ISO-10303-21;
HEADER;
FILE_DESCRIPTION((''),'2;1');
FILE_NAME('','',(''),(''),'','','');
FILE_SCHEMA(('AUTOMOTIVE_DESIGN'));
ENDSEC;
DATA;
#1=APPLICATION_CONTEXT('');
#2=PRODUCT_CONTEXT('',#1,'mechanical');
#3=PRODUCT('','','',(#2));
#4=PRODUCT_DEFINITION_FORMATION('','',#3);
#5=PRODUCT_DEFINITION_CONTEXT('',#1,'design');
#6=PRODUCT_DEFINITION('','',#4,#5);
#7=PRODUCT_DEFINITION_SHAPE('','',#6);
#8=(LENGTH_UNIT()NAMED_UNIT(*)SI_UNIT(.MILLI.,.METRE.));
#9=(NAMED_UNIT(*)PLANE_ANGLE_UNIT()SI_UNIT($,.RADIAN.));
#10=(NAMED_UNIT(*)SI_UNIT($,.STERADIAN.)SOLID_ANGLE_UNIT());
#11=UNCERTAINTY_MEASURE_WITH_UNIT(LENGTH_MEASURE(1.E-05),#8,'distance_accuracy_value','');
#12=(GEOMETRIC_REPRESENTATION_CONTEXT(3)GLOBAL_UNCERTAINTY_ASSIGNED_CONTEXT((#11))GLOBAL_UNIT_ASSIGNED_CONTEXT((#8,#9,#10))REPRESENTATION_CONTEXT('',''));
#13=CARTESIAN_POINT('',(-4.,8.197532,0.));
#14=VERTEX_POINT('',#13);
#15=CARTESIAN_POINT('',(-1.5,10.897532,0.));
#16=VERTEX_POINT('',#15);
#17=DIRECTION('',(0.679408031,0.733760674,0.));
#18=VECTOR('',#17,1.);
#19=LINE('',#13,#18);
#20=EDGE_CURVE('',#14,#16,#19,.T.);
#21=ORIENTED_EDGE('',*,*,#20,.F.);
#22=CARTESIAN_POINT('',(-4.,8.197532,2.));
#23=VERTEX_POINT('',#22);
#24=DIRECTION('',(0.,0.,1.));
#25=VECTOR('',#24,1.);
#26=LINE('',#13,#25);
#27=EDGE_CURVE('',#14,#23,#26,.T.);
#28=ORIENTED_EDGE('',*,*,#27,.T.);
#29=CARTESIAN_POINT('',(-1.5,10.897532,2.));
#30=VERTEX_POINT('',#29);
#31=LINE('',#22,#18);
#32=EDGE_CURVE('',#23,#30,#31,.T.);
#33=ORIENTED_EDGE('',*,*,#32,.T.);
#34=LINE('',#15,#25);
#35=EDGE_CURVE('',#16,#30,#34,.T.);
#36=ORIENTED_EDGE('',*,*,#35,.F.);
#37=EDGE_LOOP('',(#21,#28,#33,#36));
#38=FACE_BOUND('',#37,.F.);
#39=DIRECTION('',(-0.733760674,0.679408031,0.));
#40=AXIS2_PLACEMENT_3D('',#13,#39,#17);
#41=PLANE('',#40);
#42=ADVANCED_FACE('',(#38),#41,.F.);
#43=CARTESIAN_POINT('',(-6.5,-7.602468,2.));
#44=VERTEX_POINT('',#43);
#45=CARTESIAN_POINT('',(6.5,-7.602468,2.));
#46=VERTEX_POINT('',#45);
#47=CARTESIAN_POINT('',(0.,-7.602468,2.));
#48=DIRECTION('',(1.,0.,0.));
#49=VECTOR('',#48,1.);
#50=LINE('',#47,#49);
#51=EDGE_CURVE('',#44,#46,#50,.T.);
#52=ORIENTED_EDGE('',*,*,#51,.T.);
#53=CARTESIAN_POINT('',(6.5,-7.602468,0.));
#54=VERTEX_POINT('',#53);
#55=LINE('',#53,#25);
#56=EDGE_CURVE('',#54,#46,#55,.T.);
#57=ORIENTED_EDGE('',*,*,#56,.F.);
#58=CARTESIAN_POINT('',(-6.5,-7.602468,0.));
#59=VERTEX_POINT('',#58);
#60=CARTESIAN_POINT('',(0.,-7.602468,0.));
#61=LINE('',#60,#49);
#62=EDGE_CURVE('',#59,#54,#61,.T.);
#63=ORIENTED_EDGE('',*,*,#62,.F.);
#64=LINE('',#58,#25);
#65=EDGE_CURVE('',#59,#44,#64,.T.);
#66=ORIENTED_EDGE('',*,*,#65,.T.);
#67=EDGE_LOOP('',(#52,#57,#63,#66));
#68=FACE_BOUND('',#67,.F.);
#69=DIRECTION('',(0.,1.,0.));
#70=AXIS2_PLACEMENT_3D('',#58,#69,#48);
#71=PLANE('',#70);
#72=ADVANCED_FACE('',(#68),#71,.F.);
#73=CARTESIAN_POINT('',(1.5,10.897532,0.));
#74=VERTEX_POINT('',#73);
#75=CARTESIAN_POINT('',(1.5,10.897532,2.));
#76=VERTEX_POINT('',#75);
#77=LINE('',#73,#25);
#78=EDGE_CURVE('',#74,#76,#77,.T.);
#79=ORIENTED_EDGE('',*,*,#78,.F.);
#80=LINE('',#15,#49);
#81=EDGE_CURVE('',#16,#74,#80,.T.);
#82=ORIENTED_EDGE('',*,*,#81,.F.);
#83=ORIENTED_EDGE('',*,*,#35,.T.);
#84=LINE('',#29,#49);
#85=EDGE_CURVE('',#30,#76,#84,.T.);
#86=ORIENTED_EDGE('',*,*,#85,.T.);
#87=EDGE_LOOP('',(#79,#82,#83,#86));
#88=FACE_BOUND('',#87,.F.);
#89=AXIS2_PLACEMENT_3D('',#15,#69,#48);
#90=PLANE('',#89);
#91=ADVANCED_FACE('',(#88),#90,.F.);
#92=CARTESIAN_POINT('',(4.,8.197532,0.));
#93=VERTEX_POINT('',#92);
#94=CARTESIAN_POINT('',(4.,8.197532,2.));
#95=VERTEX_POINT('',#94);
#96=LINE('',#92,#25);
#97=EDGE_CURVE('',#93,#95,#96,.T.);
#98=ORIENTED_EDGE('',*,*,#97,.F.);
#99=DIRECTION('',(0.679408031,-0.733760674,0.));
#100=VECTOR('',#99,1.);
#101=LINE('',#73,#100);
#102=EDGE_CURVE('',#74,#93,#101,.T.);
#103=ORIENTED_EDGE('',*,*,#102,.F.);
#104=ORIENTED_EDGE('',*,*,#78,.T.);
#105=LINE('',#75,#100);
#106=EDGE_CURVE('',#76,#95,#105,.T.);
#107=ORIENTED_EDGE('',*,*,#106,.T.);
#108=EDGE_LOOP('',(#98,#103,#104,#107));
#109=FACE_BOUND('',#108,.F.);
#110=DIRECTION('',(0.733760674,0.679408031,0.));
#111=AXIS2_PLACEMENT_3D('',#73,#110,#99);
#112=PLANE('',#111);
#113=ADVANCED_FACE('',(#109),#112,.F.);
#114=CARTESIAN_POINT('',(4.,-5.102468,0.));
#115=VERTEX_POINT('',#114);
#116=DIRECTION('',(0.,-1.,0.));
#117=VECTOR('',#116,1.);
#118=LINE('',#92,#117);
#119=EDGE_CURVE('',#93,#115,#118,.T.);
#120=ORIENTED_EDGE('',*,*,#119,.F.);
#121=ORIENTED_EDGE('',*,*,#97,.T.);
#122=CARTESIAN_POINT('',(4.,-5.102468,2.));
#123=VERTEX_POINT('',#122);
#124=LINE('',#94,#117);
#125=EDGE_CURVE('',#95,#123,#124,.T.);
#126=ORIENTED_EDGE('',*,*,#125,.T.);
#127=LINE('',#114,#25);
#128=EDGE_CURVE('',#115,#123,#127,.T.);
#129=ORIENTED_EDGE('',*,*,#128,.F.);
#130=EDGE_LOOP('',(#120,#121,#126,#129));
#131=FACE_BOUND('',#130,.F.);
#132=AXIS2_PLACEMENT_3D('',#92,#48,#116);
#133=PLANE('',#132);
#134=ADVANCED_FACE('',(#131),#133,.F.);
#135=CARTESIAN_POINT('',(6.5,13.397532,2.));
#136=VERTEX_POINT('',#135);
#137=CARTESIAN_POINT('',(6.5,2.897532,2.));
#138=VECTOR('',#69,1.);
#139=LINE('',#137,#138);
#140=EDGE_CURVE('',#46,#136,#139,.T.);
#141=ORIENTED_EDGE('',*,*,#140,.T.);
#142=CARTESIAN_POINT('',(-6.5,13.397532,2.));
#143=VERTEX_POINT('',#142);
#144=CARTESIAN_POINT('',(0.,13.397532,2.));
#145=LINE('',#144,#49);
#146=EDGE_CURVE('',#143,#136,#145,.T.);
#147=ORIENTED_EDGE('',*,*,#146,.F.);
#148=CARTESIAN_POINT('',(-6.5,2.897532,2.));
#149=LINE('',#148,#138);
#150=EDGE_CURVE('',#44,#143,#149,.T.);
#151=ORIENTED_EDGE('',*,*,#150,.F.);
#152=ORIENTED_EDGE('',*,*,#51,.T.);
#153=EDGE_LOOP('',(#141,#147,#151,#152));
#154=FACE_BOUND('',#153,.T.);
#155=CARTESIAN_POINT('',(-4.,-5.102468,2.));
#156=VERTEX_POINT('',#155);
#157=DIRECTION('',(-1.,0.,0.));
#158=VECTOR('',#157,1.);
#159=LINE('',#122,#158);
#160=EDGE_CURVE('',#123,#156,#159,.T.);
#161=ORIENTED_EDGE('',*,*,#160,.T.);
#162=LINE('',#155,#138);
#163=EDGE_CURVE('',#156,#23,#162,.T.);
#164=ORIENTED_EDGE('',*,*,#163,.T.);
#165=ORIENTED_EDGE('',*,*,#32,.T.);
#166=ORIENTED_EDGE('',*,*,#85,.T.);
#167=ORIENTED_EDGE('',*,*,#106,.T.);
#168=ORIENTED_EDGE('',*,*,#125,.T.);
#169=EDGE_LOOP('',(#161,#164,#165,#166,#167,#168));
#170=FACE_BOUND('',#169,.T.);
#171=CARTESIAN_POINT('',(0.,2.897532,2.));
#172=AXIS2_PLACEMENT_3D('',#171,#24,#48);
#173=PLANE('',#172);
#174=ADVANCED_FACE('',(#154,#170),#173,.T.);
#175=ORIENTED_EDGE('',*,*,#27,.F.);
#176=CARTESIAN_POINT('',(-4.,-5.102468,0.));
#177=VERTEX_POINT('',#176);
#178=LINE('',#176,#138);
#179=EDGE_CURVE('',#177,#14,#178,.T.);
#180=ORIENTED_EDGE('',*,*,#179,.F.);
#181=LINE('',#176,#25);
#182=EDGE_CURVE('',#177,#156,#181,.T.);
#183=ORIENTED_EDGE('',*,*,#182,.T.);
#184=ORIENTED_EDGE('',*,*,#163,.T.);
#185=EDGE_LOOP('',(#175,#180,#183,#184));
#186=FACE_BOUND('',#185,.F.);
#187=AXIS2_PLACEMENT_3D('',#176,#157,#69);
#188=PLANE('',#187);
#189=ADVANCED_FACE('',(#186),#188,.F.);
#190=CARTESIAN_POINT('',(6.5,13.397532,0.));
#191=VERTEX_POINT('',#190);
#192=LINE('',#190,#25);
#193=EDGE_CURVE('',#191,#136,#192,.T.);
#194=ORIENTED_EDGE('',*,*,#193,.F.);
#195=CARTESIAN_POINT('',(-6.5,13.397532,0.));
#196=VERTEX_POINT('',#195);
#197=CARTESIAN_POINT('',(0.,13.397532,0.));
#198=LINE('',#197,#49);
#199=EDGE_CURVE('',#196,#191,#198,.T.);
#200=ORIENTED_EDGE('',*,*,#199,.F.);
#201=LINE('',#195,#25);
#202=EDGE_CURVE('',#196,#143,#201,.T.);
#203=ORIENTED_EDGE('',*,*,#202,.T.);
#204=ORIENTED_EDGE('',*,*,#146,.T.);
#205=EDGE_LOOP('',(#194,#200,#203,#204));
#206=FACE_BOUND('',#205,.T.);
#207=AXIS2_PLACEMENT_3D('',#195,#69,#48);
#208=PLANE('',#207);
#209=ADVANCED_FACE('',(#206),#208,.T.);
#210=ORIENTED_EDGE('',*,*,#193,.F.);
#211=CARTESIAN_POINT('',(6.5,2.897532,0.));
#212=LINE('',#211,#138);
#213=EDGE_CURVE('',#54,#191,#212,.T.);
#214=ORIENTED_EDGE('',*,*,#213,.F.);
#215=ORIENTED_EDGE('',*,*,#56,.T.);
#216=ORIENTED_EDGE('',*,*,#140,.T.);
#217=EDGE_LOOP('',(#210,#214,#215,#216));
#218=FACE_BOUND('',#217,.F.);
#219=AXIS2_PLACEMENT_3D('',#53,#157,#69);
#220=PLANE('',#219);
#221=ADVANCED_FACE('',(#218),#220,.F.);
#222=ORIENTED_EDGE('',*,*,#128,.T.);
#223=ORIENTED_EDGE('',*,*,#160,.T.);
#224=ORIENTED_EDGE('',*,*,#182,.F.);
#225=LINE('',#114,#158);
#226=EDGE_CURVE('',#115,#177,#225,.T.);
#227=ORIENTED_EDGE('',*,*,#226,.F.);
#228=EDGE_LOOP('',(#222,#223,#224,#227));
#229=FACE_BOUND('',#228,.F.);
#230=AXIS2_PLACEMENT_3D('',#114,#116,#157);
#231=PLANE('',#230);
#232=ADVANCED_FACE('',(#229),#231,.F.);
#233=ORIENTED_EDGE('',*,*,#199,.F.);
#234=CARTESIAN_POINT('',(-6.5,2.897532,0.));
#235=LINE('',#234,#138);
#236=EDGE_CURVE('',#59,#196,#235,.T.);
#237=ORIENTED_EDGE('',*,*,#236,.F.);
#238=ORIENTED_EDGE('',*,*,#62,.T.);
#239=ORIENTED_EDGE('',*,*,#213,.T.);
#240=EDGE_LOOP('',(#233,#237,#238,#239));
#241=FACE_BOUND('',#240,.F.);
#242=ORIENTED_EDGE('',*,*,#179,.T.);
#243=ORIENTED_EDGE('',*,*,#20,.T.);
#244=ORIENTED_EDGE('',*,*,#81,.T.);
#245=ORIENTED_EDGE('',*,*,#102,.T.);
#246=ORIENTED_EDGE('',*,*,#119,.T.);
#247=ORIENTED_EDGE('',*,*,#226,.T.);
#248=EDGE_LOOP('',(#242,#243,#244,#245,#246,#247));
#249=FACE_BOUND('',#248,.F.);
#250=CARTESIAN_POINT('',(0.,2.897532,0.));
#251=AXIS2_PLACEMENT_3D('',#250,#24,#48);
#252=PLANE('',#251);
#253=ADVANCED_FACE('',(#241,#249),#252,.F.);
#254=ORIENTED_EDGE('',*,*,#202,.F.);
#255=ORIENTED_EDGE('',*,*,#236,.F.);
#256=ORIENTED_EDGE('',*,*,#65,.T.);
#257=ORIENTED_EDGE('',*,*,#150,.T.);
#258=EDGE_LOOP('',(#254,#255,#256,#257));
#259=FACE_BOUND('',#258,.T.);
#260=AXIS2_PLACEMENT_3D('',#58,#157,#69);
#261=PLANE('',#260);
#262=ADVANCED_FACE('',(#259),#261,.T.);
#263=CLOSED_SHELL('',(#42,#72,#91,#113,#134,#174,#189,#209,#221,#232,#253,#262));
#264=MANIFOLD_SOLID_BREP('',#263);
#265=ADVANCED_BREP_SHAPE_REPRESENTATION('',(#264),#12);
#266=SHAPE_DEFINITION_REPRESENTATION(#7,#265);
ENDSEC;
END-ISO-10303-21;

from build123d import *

# Parameters (mm, degrees)
F0_W     = 13
F0_H     = 21
F1_DEPTH = 2


with BuildPart() as f1:
    # F0 (on Top) → F1 (new body)
    with BuildSketch(Plane.XY):
        with Locations((0, 2.897532)):
            Rectangle(F0_W, F0_H)
        Polygon((4, -5.102468), (0, -5.102468), (-4, -5.102468), (-4, 8.197532), (-1.5, 10.897532), (0, 10.897532), (1.5, 10.897532), (4, 8.197532), align=None, mode=Mode.SUBTRACT)
    extrude(amount=F1_DEPTH)


solid = f1.part
